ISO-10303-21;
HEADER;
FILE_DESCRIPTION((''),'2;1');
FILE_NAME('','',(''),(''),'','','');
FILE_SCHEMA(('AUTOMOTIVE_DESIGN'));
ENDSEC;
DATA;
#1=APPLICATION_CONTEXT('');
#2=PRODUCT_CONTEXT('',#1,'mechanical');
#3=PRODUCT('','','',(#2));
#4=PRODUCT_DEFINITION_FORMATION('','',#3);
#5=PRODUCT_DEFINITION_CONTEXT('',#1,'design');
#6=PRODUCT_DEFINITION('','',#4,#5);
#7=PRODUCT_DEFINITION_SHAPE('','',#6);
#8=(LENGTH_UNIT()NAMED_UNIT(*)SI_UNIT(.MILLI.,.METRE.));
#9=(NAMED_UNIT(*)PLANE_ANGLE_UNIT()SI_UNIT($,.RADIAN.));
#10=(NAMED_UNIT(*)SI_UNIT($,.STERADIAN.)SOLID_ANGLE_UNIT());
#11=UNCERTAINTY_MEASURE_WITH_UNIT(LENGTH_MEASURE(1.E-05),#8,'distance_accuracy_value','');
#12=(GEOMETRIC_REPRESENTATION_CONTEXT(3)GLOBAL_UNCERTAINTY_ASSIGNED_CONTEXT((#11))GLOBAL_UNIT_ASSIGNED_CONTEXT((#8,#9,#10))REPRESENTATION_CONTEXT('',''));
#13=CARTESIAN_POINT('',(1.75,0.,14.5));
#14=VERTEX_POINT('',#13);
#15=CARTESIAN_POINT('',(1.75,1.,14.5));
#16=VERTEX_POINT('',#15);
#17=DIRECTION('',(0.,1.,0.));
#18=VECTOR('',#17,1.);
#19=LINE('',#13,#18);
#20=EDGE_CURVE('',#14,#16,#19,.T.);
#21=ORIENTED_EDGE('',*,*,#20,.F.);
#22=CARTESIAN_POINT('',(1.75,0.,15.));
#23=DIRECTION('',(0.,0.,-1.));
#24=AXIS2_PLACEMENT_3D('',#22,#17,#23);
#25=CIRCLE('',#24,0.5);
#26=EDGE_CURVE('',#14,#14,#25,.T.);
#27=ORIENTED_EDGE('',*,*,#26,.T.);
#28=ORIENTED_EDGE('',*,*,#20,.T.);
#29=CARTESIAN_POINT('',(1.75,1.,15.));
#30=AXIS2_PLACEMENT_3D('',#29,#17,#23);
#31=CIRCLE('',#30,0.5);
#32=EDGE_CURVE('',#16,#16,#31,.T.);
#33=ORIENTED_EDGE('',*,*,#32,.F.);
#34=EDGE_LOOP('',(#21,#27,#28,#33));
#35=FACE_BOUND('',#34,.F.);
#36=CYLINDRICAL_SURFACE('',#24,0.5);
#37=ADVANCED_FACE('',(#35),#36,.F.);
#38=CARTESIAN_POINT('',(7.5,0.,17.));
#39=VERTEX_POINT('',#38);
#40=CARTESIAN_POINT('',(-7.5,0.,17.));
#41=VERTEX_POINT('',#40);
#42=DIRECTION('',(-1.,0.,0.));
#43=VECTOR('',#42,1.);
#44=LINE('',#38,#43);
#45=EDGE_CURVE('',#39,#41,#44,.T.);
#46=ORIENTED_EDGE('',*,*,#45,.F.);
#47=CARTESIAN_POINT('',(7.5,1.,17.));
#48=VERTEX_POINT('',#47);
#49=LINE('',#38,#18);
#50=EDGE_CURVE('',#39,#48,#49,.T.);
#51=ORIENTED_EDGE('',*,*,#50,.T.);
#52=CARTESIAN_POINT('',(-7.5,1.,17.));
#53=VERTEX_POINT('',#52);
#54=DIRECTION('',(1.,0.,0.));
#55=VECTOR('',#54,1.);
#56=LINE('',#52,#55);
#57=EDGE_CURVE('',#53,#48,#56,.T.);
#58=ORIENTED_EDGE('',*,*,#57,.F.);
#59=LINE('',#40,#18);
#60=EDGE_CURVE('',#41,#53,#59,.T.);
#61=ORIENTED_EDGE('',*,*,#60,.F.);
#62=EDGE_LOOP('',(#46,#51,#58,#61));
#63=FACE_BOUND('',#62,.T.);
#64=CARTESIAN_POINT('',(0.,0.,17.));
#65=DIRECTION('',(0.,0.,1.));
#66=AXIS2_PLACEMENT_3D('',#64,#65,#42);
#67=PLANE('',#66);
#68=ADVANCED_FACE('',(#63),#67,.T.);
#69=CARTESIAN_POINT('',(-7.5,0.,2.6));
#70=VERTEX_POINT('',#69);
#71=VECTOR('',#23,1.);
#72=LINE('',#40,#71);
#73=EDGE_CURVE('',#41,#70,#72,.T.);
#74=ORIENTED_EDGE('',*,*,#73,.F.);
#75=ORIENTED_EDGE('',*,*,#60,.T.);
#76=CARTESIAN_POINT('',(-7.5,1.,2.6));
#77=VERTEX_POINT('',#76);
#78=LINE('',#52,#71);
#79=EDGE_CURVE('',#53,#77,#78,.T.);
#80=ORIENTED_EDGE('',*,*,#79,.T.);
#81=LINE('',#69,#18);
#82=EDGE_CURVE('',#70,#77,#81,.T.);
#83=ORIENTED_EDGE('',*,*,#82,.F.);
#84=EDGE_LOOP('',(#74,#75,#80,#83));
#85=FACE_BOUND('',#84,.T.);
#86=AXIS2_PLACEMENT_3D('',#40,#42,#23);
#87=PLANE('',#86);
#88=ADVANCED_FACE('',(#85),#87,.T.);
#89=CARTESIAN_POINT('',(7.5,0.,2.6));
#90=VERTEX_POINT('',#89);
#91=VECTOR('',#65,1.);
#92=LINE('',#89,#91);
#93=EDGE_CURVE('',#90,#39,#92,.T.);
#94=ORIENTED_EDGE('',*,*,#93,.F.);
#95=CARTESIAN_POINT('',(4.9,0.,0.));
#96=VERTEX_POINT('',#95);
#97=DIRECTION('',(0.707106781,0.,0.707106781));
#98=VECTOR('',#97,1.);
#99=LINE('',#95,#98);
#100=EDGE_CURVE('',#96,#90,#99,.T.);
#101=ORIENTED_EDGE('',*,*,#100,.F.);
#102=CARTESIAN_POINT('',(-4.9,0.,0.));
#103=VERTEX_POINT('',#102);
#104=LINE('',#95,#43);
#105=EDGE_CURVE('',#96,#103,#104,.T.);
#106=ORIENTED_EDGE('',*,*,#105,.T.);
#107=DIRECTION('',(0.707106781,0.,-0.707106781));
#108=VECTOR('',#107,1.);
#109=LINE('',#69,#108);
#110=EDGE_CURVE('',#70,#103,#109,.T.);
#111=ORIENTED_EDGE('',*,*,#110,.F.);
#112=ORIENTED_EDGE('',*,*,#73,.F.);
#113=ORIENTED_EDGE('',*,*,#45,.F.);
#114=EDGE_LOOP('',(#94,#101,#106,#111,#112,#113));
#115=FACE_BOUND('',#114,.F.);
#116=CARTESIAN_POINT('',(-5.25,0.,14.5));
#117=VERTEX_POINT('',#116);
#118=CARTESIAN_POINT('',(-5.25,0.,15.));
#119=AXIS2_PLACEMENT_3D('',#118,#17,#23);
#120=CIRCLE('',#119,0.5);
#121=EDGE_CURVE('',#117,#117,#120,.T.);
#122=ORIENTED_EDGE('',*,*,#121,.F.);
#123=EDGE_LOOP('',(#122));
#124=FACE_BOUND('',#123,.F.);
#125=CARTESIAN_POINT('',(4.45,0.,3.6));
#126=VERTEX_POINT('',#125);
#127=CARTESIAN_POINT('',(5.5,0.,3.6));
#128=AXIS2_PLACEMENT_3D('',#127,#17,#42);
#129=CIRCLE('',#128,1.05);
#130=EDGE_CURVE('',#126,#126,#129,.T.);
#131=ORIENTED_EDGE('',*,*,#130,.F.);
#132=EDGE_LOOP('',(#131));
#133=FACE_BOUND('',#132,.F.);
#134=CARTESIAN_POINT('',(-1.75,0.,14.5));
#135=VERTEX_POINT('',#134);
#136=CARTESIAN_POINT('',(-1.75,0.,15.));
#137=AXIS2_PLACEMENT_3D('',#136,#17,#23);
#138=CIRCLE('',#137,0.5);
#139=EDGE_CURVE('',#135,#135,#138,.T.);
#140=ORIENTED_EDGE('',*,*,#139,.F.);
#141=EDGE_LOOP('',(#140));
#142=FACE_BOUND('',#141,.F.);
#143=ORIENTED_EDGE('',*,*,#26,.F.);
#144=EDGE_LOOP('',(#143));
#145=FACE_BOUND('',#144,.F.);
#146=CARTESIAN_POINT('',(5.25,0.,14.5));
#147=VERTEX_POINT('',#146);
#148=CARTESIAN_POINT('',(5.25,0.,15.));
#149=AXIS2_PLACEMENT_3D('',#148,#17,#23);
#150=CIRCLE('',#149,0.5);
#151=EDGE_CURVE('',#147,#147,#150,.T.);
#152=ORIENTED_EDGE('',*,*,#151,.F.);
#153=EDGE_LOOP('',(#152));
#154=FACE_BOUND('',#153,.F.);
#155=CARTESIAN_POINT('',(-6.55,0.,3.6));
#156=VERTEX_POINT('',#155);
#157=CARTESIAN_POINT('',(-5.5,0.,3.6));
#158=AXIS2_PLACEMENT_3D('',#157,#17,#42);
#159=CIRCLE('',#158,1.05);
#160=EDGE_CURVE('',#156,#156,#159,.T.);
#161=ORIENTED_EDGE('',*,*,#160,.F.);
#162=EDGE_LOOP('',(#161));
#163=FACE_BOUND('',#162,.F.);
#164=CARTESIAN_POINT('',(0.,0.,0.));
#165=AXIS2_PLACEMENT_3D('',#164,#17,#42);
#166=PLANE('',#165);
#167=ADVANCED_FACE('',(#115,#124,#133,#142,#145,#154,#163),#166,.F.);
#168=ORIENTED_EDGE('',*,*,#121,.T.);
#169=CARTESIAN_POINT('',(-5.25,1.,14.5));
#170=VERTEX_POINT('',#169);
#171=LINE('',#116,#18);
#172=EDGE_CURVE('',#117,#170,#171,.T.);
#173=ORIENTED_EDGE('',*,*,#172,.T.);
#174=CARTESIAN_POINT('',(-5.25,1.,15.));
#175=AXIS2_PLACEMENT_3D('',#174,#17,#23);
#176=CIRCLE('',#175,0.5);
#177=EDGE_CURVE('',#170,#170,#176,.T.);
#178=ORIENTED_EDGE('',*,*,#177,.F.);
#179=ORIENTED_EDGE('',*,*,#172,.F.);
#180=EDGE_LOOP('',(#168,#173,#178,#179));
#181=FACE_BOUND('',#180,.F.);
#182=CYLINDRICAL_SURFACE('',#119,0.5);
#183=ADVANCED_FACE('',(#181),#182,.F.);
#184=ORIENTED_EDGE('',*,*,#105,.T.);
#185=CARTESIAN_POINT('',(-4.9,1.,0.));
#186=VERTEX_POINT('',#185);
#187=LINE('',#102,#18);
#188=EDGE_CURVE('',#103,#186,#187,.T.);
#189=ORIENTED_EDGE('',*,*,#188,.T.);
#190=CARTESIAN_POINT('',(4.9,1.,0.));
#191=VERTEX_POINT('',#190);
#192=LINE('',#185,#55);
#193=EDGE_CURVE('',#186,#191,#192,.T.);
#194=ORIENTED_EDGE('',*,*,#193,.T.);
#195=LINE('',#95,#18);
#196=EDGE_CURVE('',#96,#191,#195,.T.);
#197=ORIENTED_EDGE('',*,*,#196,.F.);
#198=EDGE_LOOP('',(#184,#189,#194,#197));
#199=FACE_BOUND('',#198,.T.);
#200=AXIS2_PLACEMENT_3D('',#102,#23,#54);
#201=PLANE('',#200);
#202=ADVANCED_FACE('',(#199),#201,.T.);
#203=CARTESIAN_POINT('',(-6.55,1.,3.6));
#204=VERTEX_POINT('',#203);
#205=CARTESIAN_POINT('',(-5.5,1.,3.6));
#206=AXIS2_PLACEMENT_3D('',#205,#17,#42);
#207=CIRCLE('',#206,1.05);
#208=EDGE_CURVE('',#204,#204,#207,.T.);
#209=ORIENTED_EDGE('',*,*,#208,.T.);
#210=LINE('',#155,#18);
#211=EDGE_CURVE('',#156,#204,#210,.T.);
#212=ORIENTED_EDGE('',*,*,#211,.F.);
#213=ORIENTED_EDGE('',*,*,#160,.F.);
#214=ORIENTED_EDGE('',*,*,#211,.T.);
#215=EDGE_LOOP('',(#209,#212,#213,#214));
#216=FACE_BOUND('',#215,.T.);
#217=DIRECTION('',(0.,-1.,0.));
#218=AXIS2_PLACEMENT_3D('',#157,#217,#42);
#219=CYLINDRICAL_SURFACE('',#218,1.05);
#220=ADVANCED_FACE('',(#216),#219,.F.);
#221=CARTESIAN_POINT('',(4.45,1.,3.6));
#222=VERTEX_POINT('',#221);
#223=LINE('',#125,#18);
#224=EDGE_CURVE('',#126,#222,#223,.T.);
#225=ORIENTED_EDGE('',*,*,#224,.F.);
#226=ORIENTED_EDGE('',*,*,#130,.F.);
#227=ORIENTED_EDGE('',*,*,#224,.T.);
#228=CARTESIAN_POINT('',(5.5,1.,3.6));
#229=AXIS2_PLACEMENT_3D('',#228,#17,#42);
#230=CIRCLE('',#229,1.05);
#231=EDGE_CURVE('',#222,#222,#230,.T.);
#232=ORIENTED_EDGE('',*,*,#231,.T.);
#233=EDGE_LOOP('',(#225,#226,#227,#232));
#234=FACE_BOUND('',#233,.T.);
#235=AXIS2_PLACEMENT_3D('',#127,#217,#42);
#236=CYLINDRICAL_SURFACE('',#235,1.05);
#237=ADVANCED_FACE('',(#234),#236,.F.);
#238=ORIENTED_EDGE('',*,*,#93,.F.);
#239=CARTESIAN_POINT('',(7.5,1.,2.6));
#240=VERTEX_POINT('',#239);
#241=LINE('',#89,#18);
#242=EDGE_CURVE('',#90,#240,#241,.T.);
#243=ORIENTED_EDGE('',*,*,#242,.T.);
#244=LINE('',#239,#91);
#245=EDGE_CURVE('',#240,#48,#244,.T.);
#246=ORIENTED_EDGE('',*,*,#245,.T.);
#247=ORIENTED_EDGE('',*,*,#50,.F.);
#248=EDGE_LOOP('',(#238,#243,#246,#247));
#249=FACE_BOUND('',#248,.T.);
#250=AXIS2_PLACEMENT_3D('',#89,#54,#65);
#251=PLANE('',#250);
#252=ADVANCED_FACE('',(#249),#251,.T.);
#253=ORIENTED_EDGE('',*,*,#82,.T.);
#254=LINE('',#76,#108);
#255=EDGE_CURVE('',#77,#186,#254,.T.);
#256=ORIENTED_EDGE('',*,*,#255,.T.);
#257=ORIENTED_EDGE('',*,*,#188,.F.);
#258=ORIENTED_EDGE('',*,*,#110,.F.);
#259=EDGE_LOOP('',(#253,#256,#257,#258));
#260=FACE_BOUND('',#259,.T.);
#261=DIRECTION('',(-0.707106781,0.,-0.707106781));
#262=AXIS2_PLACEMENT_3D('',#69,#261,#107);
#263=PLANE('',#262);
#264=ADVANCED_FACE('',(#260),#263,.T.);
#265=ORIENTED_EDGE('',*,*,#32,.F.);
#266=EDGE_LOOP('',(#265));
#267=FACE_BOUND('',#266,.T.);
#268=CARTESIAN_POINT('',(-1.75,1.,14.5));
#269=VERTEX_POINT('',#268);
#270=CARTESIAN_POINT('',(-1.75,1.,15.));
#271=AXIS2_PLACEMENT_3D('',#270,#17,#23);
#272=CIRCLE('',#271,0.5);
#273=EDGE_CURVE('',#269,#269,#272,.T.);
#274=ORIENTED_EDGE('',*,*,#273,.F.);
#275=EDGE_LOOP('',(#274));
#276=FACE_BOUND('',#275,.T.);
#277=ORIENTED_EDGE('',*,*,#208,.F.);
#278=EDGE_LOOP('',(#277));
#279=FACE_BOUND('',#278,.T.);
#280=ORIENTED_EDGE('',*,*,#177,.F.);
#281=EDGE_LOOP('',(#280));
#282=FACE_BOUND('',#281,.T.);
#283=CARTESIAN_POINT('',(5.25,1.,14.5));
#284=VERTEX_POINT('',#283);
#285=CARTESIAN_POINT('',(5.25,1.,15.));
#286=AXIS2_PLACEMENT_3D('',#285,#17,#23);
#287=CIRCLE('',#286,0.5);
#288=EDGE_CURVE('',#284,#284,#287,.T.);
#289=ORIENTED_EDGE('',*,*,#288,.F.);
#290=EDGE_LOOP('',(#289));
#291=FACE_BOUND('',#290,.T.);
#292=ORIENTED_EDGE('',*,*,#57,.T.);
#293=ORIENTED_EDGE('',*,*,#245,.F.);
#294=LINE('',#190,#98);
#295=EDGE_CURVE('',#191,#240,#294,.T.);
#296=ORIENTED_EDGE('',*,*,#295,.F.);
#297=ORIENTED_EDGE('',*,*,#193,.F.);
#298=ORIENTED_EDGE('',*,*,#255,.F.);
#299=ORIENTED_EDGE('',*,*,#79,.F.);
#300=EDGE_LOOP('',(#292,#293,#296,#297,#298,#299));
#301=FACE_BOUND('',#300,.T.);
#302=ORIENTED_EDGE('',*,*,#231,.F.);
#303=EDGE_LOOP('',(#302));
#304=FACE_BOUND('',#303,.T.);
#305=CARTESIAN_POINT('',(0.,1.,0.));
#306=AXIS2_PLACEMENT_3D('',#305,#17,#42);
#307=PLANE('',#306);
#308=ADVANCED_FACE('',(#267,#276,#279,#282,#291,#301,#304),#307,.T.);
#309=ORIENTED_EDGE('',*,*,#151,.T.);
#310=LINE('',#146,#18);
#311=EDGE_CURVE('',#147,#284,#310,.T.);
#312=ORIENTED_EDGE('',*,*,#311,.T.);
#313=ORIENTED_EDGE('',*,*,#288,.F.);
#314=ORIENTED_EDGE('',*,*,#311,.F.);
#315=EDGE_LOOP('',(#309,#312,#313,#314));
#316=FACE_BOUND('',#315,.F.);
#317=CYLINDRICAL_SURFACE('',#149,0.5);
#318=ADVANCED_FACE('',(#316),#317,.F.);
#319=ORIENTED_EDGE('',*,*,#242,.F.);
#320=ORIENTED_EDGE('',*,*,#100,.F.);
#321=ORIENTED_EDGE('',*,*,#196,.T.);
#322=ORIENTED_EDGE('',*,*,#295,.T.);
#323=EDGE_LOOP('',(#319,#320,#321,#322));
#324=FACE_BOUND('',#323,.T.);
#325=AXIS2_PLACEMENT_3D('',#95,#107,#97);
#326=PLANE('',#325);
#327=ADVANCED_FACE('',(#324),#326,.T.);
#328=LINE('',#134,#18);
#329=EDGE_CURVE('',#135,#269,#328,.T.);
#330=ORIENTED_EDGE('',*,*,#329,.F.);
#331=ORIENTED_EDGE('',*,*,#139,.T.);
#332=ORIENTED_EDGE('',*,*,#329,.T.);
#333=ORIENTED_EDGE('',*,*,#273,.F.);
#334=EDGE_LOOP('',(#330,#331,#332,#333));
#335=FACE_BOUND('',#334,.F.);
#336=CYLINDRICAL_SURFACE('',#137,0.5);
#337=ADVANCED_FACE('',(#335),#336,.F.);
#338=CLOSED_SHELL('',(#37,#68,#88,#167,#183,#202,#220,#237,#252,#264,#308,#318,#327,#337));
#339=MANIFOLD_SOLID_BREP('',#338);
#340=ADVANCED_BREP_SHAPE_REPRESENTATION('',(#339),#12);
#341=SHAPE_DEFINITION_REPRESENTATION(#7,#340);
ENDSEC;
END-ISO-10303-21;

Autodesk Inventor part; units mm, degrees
ref_plane "YZ Plane" through (0, 0, 0) normal (1, 0, 0) x (0, 1, 0)
ref_plane "XZ Plane" through (0, 0, 0) normal (0, 1, 0) x (-1, 0, 0)
ref_plane "XY Plane" through (0, 0, 0) normal (0, 0, 1) x (1, 0, 0)
sketch "Skizze1" plane through (0, 0, 0) normal (0, 1, 0) x (-1, 0, 0)
  line L0 (4.9, 0) -> (-4.9, 0)
  line L1 (-4.9, 0) -> (-7.5, 2.6)
  line L2 (-7.5, 2.6) -> (-7.5, 17)
  line L3 (-7.5, 17) -> (7.5, 17)
  line L4 (7.5, 17) -> (7.5, 2.6)
  line L5 (7.5, 2.6) -> (4.9, 0)
  line L6 (0, -3.4) -> (0, 20.4) projected
  circle A0 centre (5.5, 3.6) radius 1.05
  circle A1 centre (-5.5, 3.6) radius 1.05
  point P0 (0, 0)
  dimension "d0" = 45
  dimension "d1" = 15
  dimension "d2" = 2.6
  dimension "d3" = 17
  dimension "d4" = 2.1
  dimension "d5" = 2.1
  dimension "d6" = 11
  dimension "d7" = 1
extrude "Extrusion1" add sketch "Skizze1" along normal blind 1
fillet "Rundung1" [suppressed]
sketch "Skizze2" plane through (0, 0, 0) normal (0, 1, 0) x (-1, 0, 0)
  line L0 (5.25, 15) -> (-5.25, 15) construction
  line L1 (0, -3) -> (0, 18) projected
  line L2 (-7.35, 0) -> (7.35, 0) projected
  point P0 (0, 0)
  point P1 (1.75, 15)
  point P2 (-1.75, 15)
  dimension "d11" = 3.5
  dimension "d12" = 3.5
  dimension "d13" = 15
hole "Bohrung1" at (1.75, 0, 15) at (-1.75, 0, 15) at (-5.25, 0, 15) at (5.25, 0, 15) direction (0, 1, 0) diameter 1 end through all
equation "\"d12\" = d11"
properties part number "Encoderplatine" material "Phenolharz"
